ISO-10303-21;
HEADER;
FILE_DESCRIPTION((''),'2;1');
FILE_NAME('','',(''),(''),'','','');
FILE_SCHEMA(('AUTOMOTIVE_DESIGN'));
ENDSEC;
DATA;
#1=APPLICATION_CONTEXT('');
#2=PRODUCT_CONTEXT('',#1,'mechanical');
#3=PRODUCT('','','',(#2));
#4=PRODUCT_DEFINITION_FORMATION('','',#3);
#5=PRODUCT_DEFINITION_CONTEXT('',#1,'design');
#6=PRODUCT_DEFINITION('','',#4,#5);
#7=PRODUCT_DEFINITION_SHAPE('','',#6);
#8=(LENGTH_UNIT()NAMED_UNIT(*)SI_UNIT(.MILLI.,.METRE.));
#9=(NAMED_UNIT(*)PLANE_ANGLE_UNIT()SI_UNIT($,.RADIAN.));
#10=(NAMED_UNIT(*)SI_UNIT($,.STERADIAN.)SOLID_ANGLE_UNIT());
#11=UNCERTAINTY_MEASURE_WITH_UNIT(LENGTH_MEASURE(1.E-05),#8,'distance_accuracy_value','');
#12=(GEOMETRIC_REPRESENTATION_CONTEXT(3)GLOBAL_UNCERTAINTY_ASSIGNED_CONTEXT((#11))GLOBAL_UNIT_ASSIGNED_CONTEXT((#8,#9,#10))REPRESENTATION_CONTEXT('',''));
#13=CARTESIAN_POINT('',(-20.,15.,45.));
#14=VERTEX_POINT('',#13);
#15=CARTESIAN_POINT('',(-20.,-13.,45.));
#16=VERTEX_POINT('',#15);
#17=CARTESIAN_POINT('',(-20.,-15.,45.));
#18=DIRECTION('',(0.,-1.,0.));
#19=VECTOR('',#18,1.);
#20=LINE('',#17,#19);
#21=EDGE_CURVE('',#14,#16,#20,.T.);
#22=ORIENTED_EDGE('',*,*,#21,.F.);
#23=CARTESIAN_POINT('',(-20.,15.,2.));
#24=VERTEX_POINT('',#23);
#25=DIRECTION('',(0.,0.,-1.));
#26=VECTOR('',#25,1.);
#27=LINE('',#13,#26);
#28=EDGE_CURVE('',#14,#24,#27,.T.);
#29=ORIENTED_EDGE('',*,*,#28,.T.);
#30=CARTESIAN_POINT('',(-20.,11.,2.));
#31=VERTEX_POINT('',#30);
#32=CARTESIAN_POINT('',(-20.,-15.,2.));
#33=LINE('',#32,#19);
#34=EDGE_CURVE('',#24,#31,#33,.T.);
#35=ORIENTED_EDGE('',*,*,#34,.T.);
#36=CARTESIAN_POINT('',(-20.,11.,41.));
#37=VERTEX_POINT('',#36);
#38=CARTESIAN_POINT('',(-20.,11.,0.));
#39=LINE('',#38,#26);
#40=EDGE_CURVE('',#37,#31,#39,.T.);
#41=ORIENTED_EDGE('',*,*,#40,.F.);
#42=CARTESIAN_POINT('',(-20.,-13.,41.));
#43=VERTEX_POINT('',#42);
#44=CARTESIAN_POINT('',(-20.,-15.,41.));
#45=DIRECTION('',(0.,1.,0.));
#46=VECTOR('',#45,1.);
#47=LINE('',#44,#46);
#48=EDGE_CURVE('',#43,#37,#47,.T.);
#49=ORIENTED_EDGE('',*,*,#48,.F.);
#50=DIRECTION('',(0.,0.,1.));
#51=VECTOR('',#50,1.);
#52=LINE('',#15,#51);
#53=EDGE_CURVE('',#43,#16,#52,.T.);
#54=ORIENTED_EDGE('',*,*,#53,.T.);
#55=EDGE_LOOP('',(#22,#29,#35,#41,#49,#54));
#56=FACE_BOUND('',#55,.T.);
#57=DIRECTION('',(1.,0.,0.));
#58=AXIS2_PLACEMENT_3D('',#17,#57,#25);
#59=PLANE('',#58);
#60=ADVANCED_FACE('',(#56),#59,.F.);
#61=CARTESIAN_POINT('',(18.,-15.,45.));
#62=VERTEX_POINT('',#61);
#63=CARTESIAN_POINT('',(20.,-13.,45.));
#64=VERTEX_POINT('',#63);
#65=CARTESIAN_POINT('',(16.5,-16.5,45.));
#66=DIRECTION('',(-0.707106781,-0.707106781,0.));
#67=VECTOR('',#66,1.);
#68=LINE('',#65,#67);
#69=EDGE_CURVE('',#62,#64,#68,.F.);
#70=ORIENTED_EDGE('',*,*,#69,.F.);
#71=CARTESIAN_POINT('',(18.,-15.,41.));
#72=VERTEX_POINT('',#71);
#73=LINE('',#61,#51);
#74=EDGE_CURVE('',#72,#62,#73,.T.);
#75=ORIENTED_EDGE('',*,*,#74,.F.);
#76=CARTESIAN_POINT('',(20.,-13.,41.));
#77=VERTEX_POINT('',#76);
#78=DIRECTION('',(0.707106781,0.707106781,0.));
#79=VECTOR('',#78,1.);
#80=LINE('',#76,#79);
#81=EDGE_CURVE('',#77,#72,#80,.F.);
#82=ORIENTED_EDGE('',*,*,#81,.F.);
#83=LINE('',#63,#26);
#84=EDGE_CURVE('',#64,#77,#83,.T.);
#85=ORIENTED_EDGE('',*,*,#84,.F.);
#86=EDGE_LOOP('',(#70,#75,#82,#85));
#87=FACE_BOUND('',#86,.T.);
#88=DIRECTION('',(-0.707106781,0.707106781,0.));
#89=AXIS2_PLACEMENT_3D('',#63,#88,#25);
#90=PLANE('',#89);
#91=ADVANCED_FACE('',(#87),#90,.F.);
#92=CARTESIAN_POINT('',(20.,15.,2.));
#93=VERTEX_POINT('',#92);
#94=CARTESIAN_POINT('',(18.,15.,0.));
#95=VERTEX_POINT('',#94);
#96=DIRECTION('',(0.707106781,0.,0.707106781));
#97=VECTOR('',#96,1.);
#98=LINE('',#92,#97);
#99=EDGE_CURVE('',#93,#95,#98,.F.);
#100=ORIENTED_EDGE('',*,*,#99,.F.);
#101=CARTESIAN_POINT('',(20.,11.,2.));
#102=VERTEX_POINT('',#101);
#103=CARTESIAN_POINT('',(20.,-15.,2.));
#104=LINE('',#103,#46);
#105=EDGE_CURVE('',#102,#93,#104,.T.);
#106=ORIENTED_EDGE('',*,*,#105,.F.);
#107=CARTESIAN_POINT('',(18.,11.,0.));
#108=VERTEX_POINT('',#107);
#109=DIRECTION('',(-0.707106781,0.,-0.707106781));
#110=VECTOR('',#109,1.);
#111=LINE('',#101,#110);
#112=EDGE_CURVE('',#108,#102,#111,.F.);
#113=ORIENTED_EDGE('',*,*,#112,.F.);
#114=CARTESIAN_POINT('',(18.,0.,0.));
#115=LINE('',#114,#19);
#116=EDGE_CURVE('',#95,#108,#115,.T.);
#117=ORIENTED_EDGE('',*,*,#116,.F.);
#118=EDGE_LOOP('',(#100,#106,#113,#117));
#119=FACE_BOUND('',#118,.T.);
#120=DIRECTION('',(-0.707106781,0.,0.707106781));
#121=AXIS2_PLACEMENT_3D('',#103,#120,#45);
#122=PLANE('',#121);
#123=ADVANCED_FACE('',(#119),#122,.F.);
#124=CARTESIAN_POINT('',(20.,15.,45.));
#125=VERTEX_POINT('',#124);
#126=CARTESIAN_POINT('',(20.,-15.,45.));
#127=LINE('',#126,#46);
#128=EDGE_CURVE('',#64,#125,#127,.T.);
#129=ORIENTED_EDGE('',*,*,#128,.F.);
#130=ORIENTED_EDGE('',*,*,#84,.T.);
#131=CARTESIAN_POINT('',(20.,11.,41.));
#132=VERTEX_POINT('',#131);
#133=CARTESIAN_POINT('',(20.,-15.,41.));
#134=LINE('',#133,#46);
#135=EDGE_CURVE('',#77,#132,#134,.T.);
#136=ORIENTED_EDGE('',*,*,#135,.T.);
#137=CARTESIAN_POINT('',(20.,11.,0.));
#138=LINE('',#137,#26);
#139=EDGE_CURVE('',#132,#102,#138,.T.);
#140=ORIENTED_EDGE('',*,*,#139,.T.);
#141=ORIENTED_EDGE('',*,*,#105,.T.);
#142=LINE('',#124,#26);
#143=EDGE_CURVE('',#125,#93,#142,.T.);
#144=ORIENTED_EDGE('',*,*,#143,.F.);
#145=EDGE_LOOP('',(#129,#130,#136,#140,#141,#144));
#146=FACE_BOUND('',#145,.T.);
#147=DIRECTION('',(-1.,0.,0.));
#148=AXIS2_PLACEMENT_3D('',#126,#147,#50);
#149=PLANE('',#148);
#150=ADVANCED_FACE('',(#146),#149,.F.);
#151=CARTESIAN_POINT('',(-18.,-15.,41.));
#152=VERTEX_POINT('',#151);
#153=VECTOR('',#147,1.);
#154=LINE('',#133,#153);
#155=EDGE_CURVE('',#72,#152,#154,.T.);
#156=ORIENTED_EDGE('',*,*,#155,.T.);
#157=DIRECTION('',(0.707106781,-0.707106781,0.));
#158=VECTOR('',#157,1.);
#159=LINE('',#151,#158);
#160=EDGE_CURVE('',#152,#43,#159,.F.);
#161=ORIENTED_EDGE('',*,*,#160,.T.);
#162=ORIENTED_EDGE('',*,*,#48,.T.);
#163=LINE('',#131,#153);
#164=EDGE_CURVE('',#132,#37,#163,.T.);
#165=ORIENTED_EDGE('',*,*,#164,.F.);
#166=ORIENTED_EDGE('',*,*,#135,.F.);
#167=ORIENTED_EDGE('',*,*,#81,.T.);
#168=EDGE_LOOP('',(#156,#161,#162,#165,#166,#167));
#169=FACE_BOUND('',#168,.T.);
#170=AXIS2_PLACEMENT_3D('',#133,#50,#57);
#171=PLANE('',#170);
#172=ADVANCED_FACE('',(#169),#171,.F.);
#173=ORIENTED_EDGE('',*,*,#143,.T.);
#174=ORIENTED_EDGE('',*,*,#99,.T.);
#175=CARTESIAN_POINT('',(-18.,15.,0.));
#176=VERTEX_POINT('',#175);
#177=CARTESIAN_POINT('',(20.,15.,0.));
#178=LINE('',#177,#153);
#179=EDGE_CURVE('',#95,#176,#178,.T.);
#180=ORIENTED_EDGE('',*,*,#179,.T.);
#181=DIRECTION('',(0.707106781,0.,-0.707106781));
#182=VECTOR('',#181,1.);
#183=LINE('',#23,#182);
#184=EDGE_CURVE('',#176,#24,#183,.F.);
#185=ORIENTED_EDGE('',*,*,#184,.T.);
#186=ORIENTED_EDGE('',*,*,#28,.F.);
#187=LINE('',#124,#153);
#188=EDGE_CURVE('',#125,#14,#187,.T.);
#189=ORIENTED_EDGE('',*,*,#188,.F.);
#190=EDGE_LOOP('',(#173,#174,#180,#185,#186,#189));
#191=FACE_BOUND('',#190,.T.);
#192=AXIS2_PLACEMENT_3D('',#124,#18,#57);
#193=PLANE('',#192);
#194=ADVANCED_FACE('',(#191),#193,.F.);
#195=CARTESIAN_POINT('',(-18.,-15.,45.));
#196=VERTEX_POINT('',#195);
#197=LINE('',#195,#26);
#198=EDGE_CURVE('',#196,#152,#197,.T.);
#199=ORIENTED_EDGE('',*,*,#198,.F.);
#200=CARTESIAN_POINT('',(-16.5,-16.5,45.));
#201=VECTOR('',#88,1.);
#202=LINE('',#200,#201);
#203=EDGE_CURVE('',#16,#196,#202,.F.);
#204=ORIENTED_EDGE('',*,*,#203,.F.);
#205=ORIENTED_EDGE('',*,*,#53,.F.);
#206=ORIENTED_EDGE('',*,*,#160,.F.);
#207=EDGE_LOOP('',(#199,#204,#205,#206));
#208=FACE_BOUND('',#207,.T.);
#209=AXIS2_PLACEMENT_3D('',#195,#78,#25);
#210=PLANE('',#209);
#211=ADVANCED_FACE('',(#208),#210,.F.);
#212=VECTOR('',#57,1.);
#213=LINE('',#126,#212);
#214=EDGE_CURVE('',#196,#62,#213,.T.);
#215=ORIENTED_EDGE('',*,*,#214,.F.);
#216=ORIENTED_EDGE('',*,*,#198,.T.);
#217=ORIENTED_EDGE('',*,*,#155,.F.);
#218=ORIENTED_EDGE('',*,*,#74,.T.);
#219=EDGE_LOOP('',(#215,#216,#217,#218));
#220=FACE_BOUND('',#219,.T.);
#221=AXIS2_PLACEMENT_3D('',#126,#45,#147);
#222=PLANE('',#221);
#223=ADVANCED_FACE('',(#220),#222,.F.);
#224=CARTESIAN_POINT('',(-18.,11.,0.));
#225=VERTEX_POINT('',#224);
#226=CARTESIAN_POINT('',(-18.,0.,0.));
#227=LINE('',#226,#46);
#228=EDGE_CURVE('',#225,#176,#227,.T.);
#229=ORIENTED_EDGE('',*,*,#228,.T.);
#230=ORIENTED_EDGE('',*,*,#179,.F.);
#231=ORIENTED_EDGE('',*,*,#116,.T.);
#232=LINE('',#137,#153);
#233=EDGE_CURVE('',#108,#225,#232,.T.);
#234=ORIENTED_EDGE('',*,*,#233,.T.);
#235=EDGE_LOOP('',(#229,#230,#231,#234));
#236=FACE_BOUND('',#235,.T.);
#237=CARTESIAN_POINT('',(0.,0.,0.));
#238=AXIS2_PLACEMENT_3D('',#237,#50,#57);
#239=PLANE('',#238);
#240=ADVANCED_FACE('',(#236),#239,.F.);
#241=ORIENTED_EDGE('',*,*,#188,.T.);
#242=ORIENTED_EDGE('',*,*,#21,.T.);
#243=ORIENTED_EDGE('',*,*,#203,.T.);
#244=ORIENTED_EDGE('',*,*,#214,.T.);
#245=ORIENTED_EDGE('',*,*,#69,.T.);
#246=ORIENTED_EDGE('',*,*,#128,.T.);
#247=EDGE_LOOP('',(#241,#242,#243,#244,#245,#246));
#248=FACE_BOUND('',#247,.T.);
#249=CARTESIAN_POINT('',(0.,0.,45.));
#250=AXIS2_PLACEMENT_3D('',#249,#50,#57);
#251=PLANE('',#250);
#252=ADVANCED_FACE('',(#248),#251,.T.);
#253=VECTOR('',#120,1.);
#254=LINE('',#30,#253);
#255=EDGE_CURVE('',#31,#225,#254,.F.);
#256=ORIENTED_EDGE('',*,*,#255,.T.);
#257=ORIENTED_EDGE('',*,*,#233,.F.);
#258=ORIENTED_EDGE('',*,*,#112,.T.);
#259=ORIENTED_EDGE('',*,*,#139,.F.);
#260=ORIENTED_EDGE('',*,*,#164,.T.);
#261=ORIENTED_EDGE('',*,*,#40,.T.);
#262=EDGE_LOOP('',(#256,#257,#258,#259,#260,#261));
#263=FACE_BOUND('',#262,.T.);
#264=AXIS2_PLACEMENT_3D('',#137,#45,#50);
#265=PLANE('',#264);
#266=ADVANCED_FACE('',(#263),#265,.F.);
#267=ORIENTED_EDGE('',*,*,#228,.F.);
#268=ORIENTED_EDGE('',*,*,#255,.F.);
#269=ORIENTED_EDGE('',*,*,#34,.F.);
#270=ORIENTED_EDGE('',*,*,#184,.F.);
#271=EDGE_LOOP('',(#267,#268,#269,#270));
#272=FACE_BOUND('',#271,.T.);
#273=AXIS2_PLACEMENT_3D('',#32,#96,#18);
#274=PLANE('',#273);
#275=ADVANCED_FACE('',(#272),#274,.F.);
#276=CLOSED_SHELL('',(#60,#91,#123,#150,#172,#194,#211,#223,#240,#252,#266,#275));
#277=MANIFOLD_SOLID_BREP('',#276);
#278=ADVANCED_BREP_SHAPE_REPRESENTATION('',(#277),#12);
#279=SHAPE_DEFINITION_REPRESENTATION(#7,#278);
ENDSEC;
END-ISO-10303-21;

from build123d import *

# Parameters (mm, degrees)
SKETCH_1_W          = 40
SKETCH_1_H          = 30
EXTRUDE_1_DEPTH     = 45
SKETCH_6_W          = 41
SKETCH_6_H          = 26
CUT_EXTRUDE_1_DEPTH = 41
CHAMFER_1_SIZE      = 2


with BuildPart() as part:
    # 草图1 → 凸台-拉伸1 (new body)
    with BuildSketch(Plane.XY):
        Rectangle(SKETCH_1_W, SKETCH_1_H)
    extrude(amount=EXTRUDE_1_DEPTH)

    # 草图6 → 切除-拉伸1 (cut, through all)
    with BuildSketch(Plane.ZY.offset(20)):
        with Locations((20.5, -2)):
            Rectangle(SKETCH_6_W, SKETCH_6_H)
    extrude(amount=-CUT_EXTRUDE_1_DEPTH, mode=Mode.SUBTRACT)

    # 倒角1
    chamfer_1_edges = [part.edges().sort_by_distance(p)[0] for p in [
        (20, 13, 0),
        (-20, 13, 0),
        (20, -15, 43),
        (-20, -15, 43),
    ]]
    chamfer(chamfer_1_edges, length=CHAMFER_1_SIZE)


solid = part.part
